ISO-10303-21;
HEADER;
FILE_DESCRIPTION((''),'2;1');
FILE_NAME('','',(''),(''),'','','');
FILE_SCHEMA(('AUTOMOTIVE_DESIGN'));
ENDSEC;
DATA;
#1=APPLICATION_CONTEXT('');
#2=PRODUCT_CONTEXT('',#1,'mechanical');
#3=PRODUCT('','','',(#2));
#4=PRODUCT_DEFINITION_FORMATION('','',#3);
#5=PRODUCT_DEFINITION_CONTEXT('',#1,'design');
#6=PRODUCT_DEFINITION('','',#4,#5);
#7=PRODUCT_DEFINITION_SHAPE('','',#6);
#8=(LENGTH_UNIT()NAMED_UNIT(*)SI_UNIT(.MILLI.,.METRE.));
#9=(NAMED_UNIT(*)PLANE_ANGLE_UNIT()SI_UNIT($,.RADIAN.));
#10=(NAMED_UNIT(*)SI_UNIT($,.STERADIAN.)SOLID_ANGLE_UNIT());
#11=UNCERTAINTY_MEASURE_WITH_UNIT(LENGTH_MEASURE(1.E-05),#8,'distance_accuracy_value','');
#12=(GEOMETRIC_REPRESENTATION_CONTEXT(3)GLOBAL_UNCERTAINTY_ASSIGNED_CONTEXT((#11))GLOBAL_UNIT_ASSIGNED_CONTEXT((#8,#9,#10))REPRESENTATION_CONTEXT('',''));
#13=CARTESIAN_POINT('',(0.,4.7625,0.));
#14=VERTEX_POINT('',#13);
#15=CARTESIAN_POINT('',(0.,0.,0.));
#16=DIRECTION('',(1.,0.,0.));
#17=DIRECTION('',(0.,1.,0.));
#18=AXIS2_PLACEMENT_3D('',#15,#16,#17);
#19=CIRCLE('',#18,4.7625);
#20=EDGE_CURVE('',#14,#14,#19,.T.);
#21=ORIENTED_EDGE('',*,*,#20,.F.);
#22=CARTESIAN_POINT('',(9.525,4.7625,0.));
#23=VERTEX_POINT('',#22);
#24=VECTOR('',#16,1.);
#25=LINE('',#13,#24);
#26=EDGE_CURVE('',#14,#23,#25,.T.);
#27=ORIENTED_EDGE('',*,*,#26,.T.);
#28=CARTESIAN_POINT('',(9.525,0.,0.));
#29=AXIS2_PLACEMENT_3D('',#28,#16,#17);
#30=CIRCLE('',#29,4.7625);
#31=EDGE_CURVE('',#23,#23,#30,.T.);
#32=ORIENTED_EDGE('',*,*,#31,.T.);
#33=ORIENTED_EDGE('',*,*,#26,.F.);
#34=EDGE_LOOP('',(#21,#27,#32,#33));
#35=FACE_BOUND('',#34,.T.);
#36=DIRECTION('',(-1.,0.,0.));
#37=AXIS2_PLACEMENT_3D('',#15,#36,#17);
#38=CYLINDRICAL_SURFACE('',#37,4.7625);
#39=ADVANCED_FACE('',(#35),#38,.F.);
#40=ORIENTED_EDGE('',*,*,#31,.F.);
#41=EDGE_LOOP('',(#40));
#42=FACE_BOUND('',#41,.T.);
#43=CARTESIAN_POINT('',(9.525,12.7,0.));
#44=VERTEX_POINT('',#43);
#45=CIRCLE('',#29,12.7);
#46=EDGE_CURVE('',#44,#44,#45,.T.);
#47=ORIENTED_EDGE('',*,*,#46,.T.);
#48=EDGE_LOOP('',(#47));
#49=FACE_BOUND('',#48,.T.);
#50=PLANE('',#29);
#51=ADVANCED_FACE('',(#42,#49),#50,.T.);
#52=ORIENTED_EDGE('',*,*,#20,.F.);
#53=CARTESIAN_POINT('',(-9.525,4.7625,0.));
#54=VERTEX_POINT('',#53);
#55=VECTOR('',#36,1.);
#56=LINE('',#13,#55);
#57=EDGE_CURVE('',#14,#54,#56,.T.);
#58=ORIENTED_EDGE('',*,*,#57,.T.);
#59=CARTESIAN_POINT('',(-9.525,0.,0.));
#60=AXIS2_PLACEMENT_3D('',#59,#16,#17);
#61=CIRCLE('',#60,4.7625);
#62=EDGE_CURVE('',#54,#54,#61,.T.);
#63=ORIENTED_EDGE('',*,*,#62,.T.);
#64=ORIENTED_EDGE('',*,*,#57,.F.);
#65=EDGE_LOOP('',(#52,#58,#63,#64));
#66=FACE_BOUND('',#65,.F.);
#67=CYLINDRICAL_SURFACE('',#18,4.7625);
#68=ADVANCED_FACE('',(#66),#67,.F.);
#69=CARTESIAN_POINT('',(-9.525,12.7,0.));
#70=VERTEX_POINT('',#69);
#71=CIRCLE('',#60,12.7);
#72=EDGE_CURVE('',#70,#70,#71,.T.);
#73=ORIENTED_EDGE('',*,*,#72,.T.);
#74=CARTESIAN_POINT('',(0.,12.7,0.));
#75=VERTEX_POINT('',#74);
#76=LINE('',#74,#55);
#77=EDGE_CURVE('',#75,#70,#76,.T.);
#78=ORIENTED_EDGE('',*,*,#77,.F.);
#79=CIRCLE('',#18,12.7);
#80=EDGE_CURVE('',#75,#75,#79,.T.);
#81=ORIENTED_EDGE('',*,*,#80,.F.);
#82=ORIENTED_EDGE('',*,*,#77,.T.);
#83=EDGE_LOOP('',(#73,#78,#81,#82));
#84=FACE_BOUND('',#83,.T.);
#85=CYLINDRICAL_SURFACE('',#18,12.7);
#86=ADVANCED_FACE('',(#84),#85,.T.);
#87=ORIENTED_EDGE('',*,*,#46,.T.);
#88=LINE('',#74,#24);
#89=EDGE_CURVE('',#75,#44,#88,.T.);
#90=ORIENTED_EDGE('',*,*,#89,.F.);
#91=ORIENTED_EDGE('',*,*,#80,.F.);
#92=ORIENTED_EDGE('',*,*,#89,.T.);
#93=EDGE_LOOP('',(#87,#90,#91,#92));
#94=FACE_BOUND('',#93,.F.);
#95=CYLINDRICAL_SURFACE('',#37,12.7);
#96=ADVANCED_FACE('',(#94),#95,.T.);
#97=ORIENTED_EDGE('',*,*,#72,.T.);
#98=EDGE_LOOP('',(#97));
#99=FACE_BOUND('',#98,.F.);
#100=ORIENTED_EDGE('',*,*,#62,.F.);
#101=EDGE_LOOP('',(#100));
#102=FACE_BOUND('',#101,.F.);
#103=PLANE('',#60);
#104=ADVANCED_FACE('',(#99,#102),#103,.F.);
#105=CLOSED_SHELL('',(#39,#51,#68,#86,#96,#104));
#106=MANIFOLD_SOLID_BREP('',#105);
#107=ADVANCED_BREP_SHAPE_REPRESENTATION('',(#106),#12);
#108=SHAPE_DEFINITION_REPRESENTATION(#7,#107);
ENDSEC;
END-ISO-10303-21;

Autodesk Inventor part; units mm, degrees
ref_plane "YZ Plane" through (0, 0, 0) normal (1, 0, 0) x (0, 1, 0)
ref_plane "XZ Plane" through (0, 0, 0) normal (0, 1, 0) x (-1, 0, 0)
ref_plane "XY Plane" through (0, 0, 0) normal (0, 0, 1) x (1, 0, 0)
sketch "Sketch1" plane through (0, 0, 0) normal (1, 0, 0) x (0, 1, 0)
  circle A0 centre (0, 0) radius 4.7625
  circle A1 centre (0, 0) radius 12.7
  dimension "d0" = 9.525
  dimension "d1" = 25.4
extrude "Extrusion1" add sketch "Sketch1" along normal mid plane 19.05
properties part number "lift wheel" material "Polyethylene, Low Density"
